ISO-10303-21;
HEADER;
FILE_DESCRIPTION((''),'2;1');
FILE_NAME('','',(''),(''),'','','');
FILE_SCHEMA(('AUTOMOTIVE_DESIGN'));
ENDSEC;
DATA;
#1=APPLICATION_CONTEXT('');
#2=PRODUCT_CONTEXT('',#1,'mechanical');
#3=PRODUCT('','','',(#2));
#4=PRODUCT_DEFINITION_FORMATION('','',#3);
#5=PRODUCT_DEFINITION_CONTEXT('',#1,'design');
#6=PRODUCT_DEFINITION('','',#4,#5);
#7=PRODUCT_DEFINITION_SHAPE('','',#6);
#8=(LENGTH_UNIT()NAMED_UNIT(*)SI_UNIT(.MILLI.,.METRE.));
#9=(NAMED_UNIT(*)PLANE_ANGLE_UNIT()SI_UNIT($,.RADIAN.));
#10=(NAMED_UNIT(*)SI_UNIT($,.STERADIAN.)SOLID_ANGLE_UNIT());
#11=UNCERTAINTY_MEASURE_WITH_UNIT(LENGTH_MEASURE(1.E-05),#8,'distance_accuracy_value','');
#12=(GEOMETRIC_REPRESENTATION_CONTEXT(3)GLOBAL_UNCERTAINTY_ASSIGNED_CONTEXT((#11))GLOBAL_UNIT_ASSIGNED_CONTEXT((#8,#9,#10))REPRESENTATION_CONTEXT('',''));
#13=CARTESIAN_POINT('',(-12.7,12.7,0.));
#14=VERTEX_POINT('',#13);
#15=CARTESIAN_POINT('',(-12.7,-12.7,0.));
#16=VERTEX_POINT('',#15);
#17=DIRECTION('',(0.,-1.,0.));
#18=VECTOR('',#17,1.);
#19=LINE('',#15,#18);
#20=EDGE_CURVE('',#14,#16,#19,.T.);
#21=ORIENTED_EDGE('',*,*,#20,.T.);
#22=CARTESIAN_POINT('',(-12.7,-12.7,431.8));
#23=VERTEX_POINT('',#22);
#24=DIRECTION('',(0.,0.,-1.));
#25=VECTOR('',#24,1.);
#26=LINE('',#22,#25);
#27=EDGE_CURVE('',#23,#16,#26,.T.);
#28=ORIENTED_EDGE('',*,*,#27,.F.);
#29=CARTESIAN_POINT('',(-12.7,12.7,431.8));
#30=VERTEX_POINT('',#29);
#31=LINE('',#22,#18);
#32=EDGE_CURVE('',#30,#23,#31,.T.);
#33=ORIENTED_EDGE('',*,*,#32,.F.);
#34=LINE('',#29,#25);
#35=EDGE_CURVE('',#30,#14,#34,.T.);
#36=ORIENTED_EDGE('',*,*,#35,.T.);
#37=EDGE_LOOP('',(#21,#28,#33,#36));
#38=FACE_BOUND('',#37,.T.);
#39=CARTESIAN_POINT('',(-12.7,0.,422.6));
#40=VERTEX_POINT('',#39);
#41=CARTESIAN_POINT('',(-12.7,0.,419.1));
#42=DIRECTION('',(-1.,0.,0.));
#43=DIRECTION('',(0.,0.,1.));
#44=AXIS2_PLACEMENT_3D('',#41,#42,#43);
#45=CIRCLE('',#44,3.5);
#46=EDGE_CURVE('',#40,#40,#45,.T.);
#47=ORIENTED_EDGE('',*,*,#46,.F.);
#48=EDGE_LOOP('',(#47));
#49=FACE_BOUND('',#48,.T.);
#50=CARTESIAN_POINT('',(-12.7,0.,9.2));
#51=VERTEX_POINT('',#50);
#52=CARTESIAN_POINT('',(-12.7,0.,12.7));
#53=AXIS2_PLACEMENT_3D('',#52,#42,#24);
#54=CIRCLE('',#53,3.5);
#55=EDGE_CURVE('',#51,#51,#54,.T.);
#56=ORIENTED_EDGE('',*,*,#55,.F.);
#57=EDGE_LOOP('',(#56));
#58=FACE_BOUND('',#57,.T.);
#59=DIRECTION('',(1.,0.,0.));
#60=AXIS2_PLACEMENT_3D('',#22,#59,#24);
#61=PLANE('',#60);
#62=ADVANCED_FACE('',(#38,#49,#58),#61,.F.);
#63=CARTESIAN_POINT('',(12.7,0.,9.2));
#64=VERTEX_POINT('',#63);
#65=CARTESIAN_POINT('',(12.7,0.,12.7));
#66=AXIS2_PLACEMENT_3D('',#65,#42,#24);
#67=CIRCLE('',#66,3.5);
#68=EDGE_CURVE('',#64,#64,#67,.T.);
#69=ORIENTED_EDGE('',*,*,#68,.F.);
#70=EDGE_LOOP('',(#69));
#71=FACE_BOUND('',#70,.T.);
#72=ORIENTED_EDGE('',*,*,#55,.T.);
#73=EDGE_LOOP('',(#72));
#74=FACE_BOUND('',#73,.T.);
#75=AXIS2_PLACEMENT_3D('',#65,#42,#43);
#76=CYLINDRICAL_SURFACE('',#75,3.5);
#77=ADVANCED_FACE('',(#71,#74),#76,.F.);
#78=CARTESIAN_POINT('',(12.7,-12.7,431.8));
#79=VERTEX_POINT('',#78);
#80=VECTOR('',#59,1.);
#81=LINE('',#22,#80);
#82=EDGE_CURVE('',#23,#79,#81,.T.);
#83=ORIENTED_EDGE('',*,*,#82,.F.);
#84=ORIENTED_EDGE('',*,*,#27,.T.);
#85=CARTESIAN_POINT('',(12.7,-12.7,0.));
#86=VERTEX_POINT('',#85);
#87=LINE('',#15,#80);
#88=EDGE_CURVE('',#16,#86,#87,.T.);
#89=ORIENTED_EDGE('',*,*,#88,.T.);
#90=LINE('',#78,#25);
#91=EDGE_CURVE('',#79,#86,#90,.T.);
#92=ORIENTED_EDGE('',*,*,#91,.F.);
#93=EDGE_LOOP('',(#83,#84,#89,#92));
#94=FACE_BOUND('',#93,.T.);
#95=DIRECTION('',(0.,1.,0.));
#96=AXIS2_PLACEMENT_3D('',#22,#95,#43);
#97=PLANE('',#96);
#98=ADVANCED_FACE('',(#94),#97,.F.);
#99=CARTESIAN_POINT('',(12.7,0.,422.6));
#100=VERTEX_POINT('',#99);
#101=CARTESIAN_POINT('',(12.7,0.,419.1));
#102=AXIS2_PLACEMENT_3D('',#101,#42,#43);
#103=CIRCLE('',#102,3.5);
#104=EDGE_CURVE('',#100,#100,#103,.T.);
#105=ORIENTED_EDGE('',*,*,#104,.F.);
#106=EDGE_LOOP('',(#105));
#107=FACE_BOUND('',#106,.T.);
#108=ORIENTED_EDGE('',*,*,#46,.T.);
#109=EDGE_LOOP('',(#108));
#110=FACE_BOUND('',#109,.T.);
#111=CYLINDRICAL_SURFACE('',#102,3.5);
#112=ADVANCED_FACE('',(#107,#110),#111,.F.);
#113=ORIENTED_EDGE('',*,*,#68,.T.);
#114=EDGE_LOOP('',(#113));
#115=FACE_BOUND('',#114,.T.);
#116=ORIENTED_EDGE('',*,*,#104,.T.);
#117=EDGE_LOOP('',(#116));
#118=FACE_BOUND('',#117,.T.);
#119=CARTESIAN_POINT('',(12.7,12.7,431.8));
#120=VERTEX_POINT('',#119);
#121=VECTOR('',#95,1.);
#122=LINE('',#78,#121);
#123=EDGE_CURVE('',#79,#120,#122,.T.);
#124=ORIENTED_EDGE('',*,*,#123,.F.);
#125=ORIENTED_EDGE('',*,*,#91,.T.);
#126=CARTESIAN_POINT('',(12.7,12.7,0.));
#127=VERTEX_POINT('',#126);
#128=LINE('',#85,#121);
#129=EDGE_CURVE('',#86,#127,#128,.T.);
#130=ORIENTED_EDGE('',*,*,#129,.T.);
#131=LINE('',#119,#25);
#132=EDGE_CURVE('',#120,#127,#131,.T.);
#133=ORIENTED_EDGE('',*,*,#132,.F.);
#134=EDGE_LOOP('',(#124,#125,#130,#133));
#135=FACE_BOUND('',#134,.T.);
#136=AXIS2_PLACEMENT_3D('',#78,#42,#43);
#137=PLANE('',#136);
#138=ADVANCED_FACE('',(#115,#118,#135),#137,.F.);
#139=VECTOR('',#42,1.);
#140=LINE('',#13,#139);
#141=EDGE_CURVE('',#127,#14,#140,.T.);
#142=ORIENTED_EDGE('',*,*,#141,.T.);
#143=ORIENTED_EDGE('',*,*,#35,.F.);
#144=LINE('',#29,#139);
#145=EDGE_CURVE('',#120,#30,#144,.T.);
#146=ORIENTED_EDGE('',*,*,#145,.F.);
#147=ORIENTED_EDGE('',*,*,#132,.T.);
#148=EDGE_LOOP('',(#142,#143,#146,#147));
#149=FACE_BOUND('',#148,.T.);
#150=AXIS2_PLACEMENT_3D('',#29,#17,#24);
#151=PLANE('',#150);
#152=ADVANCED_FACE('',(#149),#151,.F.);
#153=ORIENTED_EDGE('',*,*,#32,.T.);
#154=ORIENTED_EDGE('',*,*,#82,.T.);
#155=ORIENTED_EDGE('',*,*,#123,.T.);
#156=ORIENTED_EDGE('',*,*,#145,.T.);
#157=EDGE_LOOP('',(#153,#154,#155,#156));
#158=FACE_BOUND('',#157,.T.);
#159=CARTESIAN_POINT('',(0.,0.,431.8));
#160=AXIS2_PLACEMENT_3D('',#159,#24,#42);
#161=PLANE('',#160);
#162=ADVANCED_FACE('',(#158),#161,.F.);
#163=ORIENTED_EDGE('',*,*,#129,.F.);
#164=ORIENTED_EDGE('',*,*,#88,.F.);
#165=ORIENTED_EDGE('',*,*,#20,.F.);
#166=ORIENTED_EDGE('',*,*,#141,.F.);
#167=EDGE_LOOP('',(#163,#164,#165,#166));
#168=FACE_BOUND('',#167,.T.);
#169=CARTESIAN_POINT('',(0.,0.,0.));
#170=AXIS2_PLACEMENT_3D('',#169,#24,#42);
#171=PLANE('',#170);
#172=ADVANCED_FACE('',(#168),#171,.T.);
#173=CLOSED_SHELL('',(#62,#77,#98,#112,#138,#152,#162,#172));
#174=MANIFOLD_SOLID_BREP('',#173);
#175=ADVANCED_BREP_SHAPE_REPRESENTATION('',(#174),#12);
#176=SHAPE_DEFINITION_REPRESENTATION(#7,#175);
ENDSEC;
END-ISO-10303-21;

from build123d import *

# Parameters (mm, degrees)
SKETCH1_W           = 25.4
SKETCH1_H           = 25.4
BOSS_EXTRUDE1_DEPTH = 431.8
SKETCH10_R          = 3.5
CUT_EXTRUDE6_DEPTH  = 26.4


with BuildPart() as part:
    # Sketch1 → Boss-Extrude1 (new body)
    with BuildSketch(Plane.XY):
        Rectangle(SKETCH1_W, SKETCH1_H)
    extrude(amount=BOSS_EXTRUDE1_DEPTH)

    # Sketch10 → Cut-Extrude6 (cut, through all)
    with BuildSketch(Plane.ZY.offset(12.7)):
        with Locations((419.1, 0)):
            Circle(SKETCH10_R)
        with Locations((12.7, 0)):
            Circle(SKETCH10_R)
    extrude(amount=-CUT_EXTRUDE6_DEPTH, mode=Mode.SUBTRACT)


solid = part.part
